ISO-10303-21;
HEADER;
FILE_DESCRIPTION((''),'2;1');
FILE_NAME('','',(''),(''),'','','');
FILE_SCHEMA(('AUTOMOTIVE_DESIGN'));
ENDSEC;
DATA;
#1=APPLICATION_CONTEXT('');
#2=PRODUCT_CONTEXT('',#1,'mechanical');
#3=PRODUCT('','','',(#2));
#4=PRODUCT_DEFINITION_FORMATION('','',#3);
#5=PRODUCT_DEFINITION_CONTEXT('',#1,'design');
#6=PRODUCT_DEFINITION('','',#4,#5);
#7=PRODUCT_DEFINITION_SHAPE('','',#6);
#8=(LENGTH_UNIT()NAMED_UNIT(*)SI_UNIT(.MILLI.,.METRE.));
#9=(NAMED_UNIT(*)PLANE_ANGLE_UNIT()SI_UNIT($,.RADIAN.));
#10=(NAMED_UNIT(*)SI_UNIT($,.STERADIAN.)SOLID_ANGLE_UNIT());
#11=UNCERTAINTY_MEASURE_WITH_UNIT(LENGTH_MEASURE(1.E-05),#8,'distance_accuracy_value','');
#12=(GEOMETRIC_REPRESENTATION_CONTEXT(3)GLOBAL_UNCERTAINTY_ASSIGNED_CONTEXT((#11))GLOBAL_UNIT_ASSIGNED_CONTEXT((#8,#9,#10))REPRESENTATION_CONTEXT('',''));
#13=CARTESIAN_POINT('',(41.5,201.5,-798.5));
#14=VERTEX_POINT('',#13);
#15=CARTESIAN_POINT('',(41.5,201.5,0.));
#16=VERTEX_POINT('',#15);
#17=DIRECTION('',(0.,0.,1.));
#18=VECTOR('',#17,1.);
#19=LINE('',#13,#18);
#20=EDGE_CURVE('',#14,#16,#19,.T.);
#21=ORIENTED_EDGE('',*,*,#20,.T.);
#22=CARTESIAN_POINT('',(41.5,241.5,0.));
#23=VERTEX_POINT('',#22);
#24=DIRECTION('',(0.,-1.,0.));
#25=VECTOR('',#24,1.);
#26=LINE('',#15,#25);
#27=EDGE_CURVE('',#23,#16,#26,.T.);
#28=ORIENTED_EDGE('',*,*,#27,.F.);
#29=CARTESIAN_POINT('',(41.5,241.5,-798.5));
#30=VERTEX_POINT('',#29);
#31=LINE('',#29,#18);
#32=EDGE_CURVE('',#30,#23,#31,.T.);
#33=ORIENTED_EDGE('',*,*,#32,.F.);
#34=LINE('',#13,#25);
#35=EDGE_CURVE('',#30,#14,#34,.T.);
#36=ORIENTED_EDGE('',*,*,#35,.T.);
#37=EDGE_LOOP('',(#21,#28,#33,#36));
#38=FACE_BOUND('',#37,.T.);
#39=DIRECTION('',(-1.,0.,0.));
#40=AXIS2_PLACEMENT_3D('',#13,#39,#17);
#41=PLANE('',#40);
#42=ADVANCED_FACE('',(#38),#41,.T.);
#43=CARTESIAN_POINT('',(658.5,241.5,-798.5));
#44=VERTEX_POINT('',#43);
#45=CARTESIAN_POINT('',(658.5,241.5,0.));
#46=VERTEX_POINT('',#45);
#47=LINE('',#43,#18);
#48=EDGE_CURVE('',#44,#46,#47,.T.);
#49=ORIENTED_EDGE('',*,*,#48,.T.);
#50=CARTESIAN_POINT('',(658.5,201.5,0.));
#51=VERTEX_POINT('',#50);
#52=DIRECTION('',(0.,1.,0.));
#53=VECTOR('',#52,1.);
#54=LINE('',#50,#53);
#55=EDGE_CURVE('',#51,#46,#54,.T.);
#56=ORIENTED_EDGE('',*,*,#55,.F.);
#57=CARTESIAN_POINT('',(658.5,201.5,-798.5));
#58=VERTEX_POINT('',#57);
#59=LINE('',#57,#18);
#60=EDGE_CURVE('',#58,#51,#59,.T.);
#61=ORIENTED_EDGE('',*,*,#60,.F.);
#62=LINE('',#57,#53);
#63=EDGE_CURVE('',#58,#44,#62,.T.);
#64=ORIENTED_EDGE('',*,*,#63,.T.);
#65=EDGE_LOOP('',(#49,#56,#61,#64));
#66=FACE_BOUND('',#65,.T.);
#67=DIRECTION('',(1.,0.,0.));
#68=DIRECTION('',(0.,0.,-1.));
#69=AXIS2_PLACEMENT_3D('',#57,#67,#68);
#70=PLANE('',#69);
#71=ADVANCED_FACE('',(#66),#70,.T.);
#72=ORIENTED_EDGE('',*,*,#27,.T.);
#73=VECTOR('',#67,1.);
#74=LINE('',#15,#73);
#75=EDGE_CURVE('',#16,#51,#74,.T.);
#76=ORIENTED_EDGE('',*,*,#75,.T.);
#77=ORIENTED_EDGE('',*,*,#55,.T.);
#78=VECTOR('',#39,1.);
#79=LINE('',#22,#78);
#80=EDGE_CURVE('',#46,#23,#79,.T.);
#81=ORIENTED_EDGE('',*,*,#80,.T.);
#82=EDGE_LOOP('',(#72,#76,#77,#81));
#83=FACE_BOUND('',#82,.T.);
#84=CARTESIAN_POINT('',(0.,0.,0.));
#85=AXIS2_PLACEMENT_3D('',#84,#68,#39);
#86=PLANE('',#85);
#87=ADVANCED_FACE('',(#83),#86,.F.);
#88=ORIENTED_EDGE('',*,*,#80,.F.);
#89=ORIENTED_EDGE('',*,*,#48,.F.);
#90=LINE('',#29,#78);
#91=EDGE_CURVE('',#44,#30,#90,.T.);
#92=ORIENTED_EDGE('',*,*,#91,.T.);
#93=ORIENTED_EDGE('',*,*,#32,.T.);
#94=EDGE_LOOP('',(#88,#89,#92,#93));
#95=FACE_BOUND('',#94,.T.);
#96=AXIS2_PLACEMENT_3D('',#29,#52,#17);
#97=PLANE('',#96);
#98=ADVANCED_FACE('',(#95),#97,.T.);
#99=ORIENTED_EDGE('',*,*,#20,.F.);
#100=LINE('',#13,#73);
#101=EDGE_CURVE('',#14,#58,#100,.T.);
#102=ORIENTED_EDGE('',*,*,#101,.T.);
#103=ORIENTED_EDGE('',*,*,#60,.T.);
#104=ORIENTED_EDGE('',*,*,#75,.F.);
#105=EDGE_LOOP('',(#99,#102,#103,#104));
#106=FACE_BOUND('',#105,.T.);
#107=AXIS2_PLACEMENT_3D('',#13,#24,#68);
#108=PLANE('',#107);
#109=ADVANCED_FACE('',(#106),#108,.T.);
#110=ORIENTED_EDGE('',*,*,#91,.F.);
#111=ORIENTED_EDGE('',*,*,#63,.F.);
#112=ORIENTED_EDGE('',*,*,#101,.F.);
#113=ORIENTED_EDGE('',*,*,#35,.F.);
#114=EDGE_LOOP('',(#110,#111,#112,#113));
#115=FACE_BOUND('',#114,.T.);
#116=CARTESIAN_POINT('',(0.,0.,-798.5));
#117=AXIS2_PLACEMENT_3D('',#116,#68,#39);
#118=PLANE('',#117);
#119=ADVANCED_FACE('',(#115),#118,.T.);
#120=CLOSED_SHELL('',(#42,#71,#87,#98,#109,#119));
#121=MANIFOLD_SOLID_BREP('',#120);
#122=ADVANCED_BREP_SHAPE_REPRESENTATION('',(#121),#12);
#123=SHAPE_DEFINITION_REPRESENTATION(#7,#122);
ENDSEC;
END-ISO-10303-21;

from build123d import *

# Parameters (mm, degrees)
SKETCH1_W              = 617
SKETCH1_H              = 40
TOPPING_PU_ALT_1_DEPTH = 798.5


with BuildPart() as part:
    # Sketch1 → TOPPING_pu_alt_1 (new body)
    with BuildSketch(Plane.XY):
        with Locations((350, 221.5)):
            Rectangle(SKETCH1_W, SKETCH1_H)
    extrude(amount=-TOPPING_PU_ALT_1_DEPTH)


solid = part.part
